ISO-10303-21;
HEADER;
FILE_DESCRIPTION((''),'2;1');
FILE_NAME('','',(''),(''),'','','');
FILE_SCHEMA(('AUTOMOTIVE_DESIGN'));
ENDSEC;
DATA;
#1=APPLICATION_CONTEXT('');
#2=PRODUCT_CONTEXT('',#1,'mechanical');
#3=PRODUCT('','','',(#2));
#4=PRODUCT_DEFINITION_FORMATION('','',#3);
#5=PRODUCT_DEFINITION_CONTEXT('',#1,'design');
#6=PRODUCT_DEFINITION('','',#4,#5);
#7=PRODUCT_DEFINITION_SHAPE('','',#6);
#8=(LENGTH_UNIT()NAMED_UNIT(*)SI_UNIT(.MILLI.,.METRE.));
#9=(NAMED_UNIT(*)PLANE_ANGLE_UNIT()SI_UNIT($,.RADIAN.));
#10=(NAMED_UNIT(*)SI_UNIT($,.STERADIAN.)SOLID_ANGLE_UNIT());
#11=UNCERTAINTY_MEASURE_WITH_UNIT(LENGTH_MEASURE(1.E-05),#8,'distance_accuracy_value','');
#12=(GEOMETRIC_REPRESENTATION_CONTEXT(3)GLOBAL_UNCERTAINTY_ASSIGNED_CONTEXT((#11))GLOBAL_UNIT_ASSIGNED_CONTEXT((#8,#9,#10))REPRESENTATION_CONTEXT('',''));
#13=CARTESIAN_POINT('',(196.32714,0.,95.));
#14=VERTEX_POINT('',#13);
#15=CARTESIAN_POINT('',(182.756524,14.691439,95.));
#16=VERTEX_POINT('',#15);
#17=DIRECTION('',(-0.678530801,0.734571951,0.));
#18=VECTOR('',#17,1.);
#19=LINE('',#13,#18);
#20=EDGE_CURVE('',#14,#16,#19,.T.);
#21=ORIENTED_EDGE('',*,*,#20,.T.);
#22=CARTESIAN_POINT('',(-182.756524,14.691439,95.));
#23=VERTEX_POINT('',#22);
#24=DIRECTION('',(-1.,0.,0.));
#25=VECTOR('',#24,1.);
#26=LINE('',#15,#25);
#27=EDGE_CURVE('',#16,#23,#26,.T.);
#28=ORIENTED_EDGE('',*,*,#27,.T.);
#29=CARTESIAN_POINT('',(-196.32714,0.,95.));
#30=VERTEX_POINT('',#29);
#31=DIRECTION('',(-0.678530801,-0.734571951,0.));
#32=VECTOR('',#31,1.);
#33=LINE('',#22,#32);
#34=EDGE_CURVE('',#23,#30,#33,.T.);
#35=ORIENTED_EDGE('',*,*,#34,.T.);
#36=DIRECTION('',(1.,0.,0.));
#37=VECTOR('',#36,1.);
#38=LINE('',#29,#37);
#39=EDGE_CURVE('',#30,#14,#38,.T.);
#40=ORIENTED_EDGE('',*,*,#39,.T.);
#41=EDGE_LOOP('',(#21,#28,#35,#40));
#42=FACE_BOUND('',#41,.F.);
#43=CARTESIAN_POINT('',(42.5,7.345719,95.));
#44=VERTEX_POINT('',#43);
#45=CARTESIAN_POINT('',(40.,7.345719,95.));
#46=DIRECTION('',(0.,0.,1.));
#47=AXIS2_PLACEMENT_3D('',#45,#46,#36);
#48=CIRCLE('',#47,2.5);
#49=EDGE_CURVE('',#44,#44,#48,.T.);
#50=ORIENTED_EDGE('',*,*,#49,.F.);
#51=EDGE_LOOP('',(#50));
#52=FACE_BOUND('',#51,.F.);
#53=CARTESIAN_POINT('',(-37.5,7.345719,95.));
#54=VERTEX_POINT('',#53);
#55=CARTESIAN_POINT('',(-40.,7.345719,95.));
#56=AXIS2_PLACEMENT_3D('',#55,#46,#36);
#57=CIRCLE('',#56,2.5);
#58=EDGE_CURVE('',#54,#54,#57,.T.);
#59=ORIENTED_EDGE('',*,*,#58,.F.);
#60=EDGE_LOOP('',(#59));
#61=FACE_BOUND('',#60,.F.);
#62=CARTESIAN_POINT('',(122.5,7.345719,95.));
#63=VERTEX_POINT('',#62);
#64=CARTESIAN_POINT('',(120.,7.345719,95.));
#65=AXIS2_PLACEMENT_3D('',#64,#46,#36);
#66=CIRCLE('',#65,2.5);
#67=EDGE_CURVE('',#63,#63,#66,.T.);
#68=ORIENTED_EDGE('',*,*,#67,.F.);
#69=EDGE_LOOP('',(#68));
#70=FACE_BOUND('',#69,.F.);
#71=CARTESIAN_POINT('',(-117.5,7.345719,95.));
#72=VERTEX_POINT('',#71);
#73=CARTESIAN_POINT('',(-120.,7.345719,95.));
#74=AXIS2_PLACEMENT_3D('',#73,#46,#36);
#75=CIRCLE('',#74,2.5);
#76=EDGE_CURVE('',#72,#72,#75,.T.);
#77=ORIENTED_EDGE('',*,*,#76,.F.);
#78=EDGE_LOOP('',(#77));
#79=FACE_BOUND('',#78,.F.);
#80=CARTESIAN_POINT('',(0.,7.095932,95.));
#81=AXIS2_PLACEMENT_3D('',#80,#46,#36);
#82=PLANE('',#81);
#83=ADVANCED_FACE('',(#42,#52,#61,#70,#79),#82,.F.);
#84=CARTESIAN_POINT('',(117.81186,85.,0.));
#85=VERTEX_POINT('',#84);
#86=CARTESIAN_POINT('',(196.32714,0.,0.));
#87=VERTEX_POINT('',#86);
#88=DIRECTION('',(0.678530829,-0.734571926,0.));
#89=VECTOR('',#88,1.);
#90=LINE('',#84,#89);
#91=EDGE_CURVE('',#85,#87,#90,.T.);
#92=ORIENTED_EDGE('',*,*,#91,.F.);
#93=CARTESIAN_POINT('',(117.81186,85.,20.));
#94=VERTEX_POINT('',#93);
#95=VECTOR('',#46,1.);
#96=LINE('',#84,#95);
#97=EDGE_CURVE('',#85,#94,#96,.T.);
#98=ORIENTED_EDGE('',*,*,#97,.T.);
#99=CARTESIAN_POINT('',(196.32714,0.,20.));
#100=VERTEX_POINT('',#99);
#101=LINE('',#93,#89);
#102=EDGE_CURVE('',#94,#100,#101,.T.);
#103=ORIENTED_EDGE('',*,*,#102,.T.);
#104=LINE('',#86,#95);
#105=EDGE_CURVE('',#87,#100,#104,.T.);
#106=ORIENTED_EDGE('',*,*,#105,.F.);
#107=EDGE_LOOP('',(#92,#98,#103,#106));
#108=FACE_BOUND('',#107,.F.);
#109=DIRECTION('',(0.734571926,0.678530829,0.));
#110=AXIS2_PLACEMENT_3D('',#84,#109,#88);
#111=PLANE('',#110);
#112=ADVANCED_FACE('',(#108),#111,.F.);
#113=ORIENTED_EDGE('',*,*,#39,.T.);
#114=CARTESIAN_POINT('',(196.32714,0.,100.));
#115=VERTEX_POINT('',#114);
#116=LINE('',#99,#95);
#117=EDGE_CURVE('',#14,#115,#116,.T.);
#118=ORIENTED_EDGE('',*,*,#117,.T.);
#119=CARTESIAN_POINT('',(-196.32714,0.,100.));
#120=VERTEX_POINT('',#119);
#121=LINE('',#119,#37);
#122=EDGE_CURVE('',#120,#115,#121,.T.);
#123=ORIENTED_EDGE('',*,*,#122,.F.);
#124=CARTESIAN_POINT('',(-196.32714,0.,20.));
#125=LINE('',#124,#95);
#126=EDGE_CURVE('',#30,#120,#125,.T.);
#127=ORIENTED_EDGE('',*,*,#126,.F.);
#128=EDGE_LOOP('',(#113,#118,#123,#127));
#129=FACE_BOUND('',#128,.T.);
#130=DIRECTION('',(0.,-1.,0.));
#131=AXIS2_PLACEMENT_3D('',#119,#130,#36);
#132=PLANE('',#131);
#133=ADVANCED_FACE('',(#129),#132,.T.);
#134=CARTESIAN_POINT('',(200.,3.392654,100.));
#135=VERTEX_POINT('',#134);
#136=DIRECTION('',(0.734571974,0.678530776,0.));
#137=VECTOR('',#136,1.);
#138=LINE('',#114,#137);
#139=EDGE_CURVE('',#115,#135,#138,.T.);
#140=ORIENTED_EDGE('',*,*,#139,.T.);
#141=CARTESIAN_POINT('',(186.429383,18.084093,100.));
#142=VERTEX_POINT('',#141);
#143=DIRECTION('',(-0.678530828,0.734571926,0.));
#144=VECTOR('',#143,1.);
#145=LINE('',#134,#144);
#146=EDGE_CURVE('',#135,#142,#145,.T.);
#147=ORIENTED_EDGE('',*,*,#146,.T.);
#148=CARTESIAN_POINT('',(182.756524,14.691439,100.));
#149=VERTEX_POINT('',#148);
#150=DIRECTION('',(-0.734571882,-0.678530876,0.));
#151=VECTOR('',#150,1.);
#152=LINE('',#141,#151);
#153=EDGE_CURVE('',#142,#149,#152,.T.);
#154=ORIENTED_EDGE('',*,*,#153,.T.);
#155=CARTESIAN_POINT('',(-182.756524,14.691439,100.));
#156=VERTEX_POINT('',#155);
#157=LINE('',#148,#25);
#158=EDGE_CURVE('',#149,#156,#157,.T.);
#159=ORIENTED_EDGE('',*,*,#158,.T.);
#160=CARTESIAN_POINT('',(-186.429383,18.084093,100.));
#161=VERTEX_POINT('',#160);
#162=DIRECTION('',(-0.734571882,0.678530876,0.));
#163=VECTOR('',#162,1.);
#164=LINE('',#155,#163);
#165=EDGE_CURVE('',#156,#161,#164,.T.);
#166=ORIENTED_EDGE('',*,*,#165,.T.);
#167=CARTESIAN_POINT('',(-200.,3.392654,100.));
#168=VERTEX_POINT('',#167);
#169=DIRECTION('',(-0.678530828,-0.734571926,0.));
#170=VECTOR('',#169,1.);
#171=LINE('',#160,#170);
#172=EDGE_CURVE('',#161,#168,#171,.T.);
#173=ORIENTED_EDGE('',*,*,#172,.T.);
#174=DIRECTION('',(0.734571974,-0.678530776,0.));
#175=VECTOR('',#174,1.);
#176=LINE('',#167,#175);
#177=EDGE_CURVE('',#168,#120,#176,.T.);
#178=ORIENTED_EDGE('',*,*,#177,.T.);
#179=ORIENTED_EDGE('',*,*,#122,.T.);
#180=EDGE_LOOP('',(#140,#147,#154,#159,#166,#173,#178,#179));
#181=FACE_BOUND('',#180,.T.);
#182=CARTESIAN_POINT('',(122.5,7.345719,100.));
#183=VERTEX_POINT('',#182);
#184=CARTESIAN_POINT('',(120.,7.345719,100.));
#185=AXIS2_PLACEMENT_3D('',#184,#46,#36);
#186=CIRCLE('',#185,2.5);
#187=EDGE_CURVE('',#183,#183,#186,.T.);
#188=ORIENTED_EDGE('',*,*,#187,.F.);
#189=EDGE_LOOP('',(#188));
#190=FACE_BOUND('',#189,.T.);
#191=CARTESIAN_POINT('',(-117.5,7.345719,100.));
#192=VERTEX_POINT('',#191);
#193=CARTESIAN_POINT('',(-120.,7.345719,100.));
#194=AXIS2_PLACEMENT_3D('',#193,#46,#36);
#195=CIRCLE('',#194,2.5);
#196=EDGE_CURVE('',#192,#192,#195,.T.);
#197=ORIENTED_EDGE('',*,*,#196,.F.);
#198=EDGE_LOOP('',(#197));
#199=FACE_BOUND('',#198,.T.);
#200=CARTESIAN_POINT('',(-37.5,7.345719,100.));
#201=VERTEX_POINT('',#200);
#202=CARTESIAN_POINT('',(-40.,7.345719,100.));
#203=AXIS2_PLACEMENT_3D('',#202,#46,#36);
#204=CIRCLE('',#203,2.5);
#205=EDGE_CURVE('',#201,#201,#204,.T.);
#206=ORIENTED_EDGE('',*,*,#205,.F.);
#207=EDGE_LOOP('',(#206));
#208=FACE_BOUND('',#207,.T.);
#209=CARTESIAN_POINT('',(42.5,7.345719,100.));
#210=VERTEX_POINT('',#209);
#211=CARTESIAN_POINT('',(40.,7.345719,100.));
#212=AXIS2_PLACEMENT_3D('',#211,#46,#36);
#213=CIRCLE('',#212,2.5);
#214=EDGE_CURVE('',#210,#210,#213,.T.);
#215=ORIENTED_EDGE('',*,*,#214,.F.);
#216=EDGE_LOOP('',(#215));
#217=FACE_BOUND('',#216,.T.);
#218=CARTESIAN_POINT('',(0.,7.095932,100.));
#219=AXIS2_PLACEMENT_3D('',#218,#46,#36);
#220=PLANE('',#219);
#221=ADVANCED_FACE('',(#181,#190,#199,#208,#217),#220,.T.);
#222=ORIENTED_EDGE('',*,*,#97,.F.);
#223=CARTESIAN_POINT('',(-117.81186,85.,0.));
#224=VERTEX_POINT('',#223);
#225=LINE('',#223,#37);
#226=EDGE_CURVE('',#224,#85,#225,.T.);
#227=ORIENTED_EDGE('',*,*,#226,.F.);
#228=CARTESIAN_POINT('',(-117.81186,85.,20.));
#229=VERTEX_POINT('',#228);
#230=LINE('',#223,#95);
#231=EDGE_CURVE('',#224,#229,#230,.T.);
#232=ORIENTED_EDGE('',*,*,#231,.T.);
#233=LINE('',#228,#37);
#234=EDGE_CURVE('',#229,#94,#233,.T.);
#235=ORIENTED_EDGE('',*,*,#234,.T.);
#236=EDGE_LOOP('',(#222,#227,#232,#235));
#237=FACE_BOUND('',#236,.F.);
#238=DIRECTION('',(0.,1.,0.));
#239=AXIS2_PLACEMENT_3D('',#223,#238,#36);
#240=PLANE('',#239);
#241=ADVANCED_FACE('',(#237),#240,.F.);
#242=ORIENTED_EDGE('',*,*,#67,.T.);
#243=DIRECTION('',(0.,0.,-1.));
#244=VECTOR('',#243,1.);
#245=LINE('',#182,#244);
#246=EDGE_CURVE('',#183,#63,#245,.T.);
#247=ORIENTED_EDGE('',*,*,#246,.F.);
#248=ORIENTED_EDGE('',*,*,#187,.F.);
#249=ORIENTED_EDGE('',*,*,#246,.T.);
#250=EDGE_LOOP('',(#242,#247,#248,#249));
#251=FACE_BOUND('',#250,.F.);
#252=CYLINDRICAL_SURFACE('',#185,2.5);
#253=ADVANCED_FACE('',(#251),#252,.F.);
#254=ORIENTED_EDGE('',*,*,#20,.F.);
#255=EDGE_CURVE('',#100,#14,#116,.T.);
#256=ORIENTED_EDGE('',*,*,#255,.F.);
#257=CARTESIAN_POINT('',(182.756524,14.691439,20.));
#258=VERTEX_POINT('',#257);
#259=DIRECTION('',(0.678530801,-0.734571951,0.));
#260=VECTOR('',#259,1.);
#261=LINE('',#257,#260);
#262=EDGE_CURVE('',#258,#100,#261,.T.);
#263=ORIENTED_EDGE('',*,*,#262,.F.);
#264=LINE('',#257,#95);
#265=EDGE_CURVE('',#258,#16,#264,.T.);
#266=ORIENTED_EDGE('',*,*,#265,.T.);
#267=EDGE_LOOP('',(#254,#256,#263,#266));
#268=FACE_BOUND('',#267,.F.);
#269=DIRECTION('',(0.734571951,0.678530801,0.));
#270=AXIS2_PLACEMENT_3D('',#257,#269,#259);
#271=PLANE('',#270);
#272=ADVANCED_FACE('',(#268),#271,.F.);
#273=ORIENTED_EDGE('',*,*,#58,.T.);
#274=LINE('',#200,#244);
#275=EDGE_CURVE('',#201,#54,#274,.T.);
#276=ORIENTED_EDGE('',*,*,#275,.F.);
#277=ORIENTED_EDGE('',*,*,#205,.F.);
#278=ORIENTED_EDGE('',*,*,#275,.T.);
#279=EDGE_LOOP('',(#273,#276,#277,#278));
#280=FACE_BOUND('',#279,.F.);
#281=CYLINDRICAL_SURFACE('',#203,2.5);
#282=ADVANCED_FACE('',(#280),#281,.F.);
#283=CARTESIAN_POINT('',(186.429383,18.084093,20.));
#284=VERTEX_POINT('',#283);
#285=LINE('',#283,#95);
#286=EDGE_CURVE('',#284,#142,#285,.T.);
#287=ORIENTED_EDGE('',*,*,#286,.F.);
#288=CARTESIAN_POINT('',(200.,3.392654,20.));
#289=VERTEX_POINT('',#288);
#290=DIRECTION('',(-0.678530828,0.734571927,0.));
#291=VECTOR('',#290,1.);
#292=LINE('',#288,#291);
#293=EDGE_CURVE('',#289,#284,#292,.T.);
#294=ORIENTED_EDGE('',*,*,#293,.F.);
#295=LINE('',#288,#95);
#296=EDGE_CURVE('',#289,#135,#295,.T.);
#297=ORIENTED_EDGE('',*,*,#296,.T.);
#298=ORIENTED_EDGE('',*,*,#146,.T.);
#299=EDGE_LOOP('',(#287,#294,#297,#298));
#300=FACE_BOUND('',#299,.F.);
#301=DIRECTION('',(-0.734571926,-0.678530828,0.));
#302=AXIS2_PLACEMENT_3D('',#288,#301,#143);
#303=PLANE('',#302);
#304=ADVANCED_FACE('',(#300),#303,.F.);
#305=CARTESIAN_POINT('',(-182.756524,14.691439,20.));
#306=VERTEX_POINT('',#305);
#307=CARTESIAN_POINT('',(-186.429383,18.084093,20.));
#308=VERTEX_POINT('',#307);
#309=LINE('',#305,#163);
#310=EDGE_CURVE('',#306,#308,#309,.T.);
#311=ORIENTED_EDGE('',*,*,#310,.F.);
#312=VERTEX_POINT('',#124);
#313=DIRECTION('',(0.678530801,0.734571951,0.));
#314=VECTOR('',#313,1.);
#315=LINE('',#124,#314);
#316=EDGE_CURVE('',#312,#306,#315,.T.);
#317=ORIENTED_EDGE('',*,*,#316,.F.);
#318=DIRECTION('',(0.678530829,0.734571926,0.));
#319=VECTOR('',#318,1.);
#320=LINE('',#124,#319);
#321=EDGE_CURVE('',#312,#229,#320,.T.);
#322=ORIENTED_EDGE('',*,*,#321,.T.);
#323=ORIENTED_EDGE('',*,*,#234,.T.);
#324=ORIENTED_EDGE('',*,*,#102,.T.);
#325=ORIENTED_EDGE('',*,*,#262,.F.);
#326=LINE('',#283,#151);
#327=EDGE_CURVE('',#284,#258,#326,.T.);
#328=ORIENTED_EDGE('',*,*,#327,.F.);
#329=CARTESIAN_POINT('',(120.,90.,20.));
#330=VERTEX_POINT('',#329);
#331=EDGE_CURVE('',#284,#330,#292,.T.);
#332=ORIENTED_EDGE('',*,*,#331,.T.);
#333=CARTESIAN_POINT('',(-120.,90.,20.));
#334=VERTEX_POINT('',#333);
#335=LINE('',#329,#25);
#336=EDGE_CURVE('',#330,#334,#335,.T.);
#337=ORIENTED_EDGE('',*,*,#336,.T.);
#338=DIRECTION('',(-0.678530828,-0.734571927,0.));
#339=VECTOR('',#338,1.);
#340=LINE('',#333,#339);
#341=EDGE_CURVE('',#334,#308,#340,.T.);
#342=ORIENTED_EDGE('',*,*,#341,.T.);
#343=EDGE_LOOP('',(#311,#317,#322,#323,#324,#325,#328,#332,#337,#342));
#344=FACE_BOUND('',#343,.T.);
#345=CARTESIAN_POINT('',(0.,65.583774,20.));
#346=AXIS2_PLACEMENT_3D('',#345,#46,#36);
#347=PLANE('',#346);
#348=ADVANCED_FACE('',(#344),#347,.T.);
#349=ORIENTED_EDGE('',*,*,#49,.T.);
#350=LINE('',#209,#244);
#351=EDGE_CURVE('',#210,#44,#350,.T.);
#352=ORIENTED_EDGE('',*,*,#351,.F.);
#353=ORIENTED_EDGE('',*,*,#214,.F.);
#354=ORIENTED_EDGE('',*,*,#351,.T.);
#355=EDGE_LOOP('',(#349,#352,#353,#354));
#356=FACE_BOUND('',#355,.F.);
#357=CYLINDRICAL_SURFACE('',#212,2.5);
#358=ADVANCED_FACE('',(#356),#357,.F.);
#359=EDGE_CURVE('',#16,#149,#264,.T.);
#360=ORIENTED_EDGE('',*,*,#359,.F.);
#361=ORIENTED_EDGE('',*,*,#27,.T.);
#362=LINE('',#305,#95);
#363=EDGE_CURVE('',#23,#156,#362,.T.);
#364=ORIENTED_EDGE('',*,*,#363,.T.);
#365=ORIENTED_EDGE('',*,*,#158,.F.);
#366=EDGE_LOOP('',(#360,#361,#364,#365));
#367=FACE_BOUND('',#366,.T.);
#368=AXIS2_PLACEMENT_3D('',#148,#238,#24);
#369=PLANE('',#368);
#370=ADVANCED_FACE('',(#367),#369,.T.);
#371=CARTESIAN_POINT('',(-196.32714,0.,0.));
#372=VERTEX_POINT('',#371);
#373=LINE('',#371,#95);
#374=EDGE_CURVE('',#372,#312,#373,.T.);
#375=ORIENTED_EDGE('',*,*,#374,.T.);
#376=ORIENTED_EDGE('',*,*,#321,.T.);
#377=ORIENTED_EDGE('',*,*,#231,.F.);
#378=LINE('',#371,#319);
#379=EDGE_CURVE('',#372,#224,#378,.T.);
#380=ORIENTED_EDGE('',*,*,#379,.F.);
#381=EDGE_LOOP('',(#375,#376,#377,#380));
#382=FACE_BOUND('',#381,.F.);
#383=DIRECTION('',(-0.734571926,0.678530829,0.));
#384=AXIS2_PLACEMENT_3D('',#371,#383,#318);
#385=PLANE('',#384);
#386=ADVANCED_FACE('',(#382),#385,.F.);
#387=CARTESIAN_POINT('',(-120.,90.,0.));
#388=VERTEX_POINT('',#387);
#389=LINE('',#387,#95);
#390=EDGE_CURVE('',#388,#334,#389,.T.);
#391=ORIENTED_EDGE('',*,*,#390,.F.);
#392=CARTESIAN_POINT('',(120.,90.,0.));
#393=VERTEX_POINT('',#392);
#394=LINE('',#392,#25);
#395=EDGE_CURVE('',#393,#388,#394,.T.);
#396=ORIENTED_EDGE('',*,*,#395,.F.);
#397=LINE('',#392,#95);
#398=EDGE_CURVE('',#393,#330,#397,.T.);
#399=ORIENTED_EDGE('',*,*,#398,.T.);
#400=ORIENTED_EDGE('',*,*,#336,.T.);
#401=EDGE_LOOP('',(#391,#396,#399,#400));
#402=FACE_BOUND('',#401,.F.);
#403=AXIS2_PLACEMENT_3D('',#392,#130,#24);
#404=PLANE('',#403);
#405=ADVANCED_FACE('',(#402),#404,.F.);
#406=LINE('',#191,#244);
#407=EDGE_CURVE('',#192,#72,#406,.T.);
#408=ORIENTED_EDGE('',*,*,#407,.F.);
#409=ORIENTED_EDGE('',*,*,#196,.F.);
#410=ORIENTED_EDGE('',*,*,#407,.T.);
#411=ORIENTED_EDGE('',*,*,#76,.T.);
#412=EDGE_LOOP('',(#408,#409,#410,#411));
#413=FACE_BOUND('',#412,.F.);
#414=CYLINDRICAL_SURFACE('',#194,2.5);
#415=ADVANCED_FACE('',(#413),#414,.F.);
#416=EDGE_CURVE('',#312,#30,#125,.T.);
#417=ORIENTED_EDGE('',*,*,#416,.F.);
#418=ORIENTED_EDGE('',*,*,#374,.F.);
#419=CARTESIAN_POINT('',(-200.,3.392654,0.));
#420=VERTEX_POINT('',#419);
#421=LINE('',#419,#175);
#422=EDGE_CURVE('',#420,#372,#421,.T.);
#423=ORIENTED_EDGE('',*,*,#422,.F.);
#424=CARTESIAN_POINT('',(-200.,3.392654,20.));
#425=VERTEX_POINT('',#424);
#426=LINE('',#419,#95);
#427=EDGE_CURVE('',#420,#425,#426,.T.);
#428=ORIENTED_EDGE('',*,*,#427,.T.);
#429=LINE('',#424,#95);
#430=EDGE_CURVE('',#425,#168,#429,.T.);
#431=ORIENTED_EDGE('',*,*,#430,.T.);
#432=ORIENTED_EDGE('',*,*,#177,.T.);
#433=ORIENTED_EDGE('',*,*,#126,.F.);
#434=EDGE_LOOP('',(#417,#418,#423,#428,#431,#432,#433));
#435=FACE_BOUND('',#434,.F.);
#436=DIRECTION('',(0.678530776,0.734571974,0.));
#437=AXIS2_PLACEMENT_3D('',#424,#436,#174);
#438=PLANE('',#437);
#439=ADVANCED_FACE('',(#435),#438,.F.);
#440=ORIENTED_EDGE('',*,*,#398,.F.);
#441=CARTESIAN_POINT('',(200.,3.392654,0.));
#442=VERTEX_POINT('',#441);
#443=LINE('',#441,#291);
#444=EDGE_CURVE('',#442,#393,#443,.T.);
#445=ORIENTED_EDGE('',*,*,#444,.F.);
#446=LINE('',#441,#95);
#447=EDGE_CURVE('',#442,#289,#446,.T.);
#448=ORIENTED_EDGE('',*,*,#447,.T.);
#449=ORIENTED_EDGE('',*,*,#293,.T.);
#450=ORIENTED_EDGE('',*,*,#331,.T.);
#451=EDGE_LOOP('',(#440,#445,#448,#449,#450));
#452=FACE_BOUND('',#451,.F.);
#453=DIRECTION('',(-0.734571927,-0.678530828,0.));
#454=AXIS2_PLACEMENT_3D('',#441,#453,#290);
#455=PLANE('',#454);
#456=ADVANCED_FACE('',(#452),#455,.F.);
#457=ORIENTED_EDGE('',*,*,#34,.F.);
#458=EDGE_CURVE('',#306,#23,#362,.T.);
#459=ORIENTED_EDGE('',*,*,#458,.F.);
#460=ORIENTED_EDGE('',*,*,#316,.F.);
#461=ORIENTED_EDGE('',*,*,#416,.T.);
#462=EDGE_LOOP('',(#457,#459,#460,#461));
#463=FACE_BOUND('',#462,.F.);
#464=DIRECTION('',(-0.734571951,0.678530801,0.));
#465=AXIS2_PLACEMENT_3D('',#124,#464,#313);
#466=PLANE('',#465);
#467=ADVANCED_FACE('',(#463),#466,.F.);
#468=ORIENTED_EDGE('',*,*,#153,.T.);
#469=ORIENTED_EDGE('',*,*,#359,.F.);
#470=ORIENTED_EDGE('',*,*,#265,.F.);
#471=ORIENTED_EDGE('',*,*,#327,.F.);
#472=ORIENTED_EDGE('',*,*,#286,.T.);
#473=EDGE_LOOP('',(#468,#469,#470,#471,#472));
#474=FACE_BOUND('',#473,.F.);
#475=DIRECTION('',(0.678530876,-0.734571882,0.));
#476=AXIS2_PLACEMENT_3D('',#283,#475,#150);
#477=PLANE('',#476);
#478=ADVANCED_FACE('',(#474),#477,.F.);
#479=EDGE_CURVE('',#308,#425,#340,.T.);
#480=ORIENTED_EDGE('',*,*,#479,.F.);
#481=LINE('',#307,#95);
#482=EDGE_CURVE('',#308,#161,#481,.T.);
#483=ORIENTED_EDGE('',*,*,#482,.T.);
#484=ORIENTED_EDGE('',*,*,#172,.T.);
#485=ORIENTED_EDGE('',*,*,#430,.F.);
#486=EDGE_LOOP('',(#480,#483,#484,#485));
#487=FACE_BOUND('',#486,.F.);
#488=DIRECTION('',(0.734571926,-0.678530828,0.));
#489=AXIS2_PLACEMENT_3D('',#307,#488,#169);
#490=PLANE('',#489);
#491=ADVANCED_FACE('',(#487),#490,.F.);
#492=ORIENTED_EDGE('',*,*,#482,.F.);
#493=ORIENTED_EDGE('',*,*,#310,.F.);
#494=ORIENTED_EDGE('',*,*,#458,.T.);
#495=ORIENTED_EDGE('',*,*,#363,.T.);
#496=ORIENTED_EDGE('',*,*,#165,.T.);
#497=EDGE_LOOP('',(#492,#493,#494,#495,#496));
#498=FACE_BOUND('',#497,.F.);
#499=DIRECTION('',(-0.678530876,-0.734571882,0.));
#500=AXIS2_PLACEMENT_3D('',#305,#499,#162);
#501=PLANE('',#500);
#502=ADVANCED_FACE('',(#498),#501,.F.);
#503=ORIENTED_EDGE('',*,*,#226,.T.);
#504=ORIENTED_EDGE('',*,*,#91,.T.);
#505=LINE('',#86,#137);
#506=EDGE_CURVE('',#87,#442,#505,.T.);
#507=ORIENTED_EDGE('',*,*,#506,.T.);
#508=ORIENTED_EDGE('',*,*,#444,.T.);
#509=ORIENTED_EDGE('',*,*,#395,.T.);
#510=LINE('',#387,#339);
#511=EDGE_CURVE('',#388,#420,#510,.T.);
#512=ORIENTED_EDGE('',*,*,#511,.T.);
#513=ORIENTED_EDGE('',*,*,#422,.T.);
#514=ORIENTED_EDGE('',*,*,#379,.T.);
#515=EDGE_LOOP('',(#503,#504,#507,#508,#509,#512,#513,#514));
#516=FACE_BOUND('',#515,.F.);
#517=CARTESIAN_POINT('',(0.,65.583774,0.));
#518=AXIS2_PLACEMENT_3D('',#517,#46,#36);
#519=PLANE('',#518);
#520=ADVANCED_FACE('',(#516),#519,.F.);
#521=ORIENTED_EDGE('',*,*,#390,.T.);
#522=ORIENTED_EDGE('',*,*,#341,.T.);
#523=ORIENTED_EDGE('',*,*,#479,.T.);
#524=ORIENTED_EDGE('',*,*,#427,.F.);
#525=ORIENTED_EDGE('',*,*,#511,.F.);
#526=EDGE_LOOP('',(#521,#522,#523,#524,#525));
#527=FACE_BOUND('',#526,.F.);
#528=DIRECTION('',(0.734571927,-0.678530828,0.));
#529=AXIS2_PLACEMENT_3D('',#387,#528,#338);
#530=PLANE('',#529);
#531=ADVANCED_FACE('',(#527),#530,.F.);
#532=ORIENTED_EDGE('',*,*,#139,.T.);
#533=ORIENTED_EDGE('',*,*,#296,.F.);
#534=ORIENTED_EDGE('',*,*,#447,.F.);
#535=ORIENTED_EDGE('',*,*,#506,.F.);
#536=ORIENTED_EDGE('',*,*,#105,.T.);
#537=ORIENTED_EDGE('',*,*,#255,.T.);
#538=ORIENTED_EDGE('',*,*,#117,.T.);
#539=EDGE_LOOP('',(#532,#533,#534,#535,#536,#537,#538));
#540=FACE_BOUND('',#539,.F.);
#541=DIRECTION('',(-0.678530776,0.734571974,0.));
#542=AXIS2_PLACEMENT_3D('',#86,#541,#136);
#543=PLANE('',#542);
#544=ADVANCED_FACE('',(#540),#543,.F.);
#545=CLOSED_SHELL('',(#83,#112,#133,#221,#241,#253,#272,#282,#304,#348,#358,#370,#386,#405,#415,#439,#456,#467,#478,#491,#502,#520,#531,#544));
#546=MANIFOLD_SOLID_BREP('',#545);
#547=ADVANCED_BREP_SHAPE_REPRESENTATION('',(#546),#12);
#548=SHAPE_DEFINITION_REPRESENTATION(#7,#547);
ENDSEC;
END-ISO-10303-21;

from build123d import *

# Parameters (mm, degrees)
F1_DEPTH = 20
F3_DEPTH = 80
F4_R     = 2.5
F5_DEPTH = 5


with BuildPart() as f1:
    # F0 (on Top) → F1 (new body)
    with BuildSketch(Plane.XY):
        Polygon((-120, 90), (-200, 3.392654), (-196.32714, 0), (-117.81186, 85), (117.81186, 85), (196.32714, 0), (200, 3.392654), (120, 90), align=None)
    extrude(amount=F1_DEPTH)

    # F2 (on face) → F3 (join)
    with BuildSketch(Plane.XY.offset(20)):
        Polygon((-186.429383, 18.084093), (-200, 3.392654), (-196.32714, 0), (-182.756524, 14.691439), align=None)
        Polygon((200, 3.392654), (186.429383, 18.084093), (182.756524, 14.691439), (196.32714, 0), align=None)
    extrude(amount=F3_DEPTH)

    # F4 (on face) → F5 (join)
    with BuildSketch(Plane.XY.offset(100)):
        Polygon((196.32714, 0), (182.756524, 14.691439), (-182.756524, 14.691439), (-196.32714, 0), align=None)
        with Locations((-120, 7.345719)):
            Circle(F4_R, mode=Mode.SUBTRACT)
        with Locations((-40, 7.345719)):
            Circle(F4_R, mode=Mode.SUBTRACT)
        with Locations((40, 7.345719)):
            Circle(F4_R, mode=Mode.SUBTRACT)
        with Locations((120, 7.345719)):
            Circle(F4_R, mode=Mode.SUBTRACT)
    extrude(amount=-F5_DEPTH)


solid = f1.part
